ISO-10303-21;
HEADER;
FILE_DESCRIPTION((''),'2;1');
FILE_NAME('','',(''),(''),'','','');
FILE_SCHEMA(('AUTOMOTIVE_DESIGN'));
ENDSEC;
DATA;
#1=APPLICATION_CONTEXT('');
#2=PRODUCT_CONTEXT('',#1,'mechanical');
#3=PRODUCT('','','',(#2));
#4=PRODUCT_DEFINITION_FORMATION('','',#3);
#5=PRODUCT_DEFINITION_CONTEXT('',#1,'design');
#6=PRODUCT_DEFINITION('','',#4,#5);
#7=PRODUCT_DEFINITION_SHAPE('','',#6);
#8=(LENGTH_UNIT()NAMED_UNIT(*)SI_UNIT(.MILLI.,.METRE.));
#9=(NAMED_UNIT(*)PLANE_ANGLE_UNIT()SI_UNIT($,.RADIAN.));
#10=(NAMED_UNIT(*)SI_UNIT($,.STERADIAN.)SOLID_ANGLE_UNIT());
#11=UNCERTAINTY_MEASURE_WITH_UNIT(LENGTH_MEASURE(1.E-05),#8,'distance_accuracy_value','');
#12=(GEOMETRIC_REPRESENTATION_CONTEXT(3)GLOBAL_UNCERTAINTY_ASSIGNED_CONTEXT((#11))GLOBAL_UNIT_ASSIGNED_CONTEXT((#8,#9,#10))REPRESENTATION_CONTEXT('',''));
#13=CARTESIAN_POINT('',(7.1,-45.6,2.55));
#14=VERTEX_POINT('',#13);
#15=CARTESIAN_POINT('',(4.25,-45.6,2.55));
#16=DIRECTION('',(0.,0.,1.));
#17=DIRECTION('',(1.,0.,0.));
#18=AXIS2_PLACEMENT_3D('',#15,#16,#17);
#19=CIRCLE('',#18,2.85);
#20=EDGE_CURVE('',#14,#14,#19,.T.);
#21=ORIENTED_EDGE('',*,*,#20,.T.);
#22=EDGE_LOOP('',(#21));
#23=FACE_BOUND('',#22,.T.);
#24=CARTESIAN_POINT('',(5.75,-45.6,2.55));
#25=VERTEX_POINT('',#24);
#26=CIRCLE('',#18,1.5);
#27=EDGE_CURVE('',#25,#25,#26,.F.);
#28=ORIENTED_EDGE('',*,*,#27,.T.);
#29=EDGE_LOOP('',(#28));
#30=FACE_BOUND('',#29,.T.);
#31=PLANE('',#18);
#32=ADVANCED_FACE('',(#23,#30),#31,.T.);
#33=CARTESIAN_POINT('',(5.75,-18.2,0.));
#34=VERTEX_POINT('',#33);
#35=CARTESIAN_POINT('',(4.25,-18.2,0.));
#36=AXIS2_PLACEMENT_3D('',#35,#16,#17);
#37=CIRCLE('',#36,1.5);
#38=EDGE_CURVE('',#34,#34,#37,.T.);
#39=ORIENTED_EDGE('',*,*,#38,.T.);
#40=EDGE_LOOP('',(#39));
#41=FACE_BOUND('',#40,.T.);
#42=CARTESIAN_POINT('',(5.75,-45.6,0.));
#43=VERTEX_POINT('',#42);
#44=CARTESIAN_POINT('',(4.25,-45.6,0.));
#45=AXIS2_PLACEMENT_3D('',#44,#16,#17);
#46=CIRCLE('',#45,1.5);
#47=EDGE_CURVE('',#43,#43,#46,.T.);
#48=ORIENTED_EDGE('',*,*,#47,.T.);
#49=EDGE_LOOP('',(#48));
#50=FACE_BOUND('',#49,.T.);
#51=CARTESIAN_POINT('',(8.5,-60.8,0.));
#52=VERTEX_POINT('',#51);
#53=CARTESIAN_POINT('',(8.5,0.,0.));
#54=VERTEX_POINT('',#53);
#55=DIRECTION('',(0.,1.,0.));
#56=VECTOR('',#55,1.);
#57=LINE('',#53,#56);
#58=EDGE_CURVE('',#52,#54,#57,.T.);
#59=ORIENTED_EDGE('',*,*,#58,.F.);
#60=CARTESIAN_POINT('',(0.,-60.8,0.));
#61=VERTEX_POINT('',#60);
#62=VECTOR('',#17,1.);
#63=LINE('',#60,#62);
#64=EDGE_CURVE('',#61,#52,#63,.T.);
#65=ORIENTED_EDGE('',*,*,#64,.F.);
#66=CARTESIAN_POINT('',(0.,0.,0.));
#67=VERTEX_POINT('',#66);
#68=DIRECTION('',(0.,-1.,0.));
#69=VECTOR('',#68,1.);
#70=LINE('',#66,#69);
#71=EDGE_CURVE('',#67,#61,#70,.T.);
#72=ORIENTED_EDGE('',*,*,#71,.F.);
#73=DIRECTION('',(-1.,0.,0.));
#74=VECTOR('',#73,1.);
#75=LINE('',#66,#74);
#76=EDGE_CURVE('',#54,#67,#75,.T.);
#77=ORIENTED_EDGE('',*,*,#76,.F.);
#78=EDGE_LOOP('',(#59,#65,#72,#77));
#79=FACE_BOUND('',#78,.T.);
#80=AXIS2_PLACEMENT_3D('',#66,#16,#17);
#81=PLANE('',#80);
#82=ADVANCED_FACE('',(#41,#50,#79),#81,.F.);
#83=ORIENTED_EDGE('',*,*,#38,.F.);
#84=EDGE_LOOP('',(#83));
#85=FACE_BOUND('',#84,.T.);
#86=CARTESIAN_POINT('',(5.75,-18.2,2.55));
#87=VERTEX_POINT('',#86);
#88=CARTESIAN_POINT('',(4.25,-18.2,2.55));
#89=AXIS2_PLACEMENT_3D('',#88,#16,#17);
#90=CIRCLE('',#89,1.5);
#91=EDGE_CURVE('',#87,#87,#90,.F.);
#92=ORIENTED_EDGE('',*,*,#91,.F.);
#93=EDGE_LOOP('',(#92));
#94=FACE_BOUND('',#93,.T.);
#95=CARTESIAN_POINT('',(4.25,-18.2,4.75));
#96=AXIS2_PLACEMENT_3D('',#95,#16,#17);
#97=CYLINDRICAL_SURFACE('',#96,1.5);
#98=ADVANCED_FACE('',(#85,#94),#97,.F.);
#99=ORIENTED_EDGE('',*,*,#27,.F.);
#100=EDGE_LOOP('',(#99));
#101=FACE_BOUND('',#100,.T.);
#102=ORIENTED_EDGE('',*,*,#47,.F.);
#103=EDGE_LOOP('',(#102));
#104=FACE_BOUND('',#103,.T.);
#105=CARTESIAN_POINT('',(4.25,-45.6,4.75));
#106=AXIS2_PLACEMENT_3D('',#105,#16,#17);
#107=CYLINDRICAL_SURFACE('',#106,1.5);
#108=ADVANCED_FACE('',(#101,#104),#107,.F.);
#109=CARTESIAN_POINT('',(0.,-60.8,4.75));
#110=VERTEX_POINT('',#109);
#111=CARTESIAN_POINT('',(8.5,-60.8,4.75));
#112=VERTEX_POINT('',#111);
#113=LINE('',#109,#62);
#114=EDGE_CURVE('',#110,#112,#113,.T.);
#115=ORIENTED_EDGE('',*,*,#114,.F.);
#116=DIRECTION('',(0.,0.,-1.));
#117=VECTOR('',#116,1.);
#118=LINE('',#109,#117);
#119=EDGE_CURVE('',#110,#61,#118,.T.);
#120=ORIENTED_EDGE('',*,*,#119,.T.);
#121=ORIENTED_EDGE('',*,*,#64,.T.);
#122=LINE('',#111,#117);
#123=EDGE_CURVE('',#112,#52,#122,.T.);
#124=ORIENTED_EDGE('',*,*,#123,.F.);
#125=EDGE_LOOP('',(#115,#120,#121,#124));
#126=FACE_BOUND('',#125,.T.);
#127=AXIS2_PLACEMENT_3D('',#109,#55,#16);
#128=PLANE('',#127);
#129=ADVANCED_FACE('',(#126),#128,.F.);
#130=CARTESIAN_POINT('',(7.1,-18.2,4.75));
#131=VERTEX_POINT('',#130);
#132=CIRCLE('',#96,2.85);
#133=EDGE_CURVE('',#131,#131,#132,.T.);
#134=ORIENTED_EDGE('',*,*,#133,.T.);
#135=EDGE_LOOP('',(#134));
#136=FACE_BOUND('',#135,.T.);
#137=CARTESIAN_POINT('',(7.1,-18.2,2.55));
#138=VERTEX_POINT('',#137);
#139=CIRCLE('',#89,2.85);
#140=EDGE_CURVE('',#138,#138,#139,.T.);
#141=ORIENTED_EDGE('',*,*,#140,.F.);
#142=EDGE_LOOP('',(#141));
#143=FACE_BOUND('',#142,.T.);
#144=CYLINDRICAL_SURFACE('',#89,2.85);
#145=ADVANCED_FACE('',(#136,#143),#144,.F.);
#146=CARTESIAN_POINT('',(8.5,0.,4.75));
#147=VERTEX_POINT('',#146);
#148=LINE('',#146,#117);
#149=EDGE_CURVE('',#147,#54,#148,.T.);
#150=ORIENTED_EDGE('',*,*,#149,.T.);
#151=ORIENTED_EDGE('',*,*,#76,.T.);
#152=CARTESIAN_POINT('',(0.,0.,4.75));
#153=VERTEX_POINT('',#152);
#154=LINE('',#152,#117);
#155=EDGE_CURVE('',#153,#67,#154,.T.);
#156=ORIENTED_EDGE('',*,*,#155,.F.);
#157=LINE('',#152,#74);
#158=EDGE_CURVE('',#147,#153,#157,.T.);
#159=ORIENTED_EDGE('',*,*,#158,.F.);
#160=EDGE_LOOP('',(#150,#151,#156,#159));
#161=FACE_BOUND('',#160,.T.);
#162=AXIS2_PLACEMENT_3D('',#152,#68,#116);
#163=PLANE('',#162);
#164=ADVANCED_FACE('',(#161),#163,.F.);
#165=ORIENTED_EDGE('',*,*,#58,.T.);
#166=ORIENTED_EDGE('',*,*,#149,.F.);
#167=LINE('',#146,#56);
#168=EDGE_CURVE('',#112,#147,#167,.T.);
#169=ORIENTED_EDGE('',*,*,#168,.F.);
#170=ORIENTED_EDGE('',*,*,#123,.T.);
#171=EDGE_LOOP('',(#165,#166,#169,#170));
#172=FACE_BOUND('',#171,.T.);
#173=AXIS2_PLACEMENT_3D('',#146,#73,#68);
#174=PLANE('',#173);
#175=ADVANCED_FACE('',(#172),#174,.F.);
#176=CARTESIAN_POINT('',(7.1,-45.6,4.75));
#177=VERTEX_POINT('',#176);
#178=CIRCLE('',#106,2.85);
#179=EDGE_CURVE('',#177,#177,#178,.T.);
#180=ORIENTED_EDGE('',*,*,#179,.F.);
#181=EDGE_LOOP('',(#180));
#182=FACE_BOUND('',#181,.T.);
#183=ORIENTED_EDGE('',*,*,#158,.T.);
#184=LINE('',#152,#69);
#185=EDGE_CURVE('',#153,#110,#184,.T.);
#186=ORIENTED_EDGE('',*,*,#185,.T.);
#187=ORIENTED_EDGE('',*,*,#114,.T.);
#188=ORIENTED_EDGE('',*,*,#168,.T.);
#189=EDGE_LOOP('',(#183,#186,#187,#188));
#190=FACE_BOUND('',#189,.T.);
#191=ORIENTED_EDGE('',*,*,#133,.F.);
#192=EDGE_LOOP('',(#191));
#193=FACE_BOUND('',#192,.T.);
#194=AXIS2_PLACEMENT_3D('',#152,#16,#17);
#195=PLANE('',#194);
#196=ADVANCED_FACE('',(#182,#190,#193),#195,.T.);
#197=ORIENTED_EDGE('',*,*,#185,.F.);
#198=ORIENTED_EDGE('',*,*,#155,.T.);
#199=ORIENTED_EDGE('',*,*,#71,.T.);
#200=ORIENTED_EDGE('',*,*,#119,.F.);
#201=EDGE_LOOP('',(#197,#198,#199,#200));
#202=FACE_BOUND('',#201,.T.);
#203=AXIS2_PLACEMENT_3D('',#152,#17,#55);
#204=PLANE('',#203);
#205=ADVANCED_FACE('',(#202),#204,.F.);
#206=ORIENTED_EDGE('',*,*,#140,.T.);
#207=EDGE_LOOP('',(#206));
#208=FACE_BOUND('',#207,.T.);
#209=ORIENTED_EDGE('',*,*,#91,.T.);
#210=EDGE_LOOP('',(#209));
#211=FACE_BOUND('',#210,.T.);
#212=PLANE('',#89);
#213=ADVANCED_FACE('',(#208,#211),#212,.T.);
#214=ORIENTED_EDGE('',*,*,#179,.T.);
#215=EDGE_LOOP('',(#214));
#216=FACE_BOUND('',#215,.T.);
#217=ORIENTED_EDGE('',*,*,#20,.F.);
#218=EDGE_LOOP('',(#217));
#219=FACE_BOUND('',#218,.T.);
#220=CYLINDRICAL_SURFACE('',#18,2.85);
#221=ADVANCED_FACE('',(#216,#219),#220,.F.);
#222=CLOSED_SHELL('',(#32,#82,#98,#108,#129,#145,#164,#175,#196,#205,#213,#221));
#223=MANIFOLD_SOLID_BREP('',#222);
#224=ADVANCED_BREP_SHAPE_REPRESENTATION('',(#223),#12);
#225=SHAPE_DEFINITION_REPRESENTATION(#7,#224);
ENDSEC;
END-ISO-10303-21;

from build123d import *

# Parameters (mm, degrees)
SKETCH1_W                 = 8.5
SKETCH1_H                 = 60.8
BOSS_EXTRUDE1_DEPTH       = 4.75
F_3_0MM_DOWEL_HOLE1_D     = 3
F_3_0MM_DOWEL_HOLE1_DEPTH = 5
F_3_0MM_DOWEL_HOLE1_TIP   = 0.901290929
SKETCH6_R                 = 2.85
CUT_EXTRUDE1_DEPTH        = 2.2


with BuildPart() as part:
    # Sketch1 → Boss-Extrude1 (new body)
    with BuildSketch(Plane.XY):
        with Locations((4.25, -30.4)):
            Rectangle(SKETCH1_W, SKETCH1_H)
    extrude(amount=BOSS_EXTRUDE1_DEPTH)

    # Ø3.0mm Dowel Hole1
    with Locations(Plane.XY.offset(4.75)):
        with Locations((4.25, -18.2), (4.25, -45.6)):
            Hole(F_3_0MM_DOWEL_HOLE1_D / 2, depth=F_3_0MM_DOWEL_HOLE1_DEPTH)
            with Locations((0, 0, -(F_3_0MM_DOWEL_HOLE1_DEPTH + F_3_0MM_DOWEL_HOLE1_TIP / 2))):  # 118° drill point
                Cone(0, F_3_0MM_DOWEL_HOLE1_D / 2, F_3_0MM_DOWEL_HOLE1_TIP, mode=Mode.SUBTRACT)

    # Sketch6 → Cut-Extrude1 (cut)
    with BuildSketch(Plane.XY.offset(4.75)):
        with Locations((4.25, -18.2)):
            Circle(SKETCH6_R)
        with Locations((4.25, -45.6)):
            Circle(SKETCH6_R)
    extrude(amount=-CUT_EXTRUDE1_DEPTH, mode=Mode.SUBTRACT)


solid = part.part
